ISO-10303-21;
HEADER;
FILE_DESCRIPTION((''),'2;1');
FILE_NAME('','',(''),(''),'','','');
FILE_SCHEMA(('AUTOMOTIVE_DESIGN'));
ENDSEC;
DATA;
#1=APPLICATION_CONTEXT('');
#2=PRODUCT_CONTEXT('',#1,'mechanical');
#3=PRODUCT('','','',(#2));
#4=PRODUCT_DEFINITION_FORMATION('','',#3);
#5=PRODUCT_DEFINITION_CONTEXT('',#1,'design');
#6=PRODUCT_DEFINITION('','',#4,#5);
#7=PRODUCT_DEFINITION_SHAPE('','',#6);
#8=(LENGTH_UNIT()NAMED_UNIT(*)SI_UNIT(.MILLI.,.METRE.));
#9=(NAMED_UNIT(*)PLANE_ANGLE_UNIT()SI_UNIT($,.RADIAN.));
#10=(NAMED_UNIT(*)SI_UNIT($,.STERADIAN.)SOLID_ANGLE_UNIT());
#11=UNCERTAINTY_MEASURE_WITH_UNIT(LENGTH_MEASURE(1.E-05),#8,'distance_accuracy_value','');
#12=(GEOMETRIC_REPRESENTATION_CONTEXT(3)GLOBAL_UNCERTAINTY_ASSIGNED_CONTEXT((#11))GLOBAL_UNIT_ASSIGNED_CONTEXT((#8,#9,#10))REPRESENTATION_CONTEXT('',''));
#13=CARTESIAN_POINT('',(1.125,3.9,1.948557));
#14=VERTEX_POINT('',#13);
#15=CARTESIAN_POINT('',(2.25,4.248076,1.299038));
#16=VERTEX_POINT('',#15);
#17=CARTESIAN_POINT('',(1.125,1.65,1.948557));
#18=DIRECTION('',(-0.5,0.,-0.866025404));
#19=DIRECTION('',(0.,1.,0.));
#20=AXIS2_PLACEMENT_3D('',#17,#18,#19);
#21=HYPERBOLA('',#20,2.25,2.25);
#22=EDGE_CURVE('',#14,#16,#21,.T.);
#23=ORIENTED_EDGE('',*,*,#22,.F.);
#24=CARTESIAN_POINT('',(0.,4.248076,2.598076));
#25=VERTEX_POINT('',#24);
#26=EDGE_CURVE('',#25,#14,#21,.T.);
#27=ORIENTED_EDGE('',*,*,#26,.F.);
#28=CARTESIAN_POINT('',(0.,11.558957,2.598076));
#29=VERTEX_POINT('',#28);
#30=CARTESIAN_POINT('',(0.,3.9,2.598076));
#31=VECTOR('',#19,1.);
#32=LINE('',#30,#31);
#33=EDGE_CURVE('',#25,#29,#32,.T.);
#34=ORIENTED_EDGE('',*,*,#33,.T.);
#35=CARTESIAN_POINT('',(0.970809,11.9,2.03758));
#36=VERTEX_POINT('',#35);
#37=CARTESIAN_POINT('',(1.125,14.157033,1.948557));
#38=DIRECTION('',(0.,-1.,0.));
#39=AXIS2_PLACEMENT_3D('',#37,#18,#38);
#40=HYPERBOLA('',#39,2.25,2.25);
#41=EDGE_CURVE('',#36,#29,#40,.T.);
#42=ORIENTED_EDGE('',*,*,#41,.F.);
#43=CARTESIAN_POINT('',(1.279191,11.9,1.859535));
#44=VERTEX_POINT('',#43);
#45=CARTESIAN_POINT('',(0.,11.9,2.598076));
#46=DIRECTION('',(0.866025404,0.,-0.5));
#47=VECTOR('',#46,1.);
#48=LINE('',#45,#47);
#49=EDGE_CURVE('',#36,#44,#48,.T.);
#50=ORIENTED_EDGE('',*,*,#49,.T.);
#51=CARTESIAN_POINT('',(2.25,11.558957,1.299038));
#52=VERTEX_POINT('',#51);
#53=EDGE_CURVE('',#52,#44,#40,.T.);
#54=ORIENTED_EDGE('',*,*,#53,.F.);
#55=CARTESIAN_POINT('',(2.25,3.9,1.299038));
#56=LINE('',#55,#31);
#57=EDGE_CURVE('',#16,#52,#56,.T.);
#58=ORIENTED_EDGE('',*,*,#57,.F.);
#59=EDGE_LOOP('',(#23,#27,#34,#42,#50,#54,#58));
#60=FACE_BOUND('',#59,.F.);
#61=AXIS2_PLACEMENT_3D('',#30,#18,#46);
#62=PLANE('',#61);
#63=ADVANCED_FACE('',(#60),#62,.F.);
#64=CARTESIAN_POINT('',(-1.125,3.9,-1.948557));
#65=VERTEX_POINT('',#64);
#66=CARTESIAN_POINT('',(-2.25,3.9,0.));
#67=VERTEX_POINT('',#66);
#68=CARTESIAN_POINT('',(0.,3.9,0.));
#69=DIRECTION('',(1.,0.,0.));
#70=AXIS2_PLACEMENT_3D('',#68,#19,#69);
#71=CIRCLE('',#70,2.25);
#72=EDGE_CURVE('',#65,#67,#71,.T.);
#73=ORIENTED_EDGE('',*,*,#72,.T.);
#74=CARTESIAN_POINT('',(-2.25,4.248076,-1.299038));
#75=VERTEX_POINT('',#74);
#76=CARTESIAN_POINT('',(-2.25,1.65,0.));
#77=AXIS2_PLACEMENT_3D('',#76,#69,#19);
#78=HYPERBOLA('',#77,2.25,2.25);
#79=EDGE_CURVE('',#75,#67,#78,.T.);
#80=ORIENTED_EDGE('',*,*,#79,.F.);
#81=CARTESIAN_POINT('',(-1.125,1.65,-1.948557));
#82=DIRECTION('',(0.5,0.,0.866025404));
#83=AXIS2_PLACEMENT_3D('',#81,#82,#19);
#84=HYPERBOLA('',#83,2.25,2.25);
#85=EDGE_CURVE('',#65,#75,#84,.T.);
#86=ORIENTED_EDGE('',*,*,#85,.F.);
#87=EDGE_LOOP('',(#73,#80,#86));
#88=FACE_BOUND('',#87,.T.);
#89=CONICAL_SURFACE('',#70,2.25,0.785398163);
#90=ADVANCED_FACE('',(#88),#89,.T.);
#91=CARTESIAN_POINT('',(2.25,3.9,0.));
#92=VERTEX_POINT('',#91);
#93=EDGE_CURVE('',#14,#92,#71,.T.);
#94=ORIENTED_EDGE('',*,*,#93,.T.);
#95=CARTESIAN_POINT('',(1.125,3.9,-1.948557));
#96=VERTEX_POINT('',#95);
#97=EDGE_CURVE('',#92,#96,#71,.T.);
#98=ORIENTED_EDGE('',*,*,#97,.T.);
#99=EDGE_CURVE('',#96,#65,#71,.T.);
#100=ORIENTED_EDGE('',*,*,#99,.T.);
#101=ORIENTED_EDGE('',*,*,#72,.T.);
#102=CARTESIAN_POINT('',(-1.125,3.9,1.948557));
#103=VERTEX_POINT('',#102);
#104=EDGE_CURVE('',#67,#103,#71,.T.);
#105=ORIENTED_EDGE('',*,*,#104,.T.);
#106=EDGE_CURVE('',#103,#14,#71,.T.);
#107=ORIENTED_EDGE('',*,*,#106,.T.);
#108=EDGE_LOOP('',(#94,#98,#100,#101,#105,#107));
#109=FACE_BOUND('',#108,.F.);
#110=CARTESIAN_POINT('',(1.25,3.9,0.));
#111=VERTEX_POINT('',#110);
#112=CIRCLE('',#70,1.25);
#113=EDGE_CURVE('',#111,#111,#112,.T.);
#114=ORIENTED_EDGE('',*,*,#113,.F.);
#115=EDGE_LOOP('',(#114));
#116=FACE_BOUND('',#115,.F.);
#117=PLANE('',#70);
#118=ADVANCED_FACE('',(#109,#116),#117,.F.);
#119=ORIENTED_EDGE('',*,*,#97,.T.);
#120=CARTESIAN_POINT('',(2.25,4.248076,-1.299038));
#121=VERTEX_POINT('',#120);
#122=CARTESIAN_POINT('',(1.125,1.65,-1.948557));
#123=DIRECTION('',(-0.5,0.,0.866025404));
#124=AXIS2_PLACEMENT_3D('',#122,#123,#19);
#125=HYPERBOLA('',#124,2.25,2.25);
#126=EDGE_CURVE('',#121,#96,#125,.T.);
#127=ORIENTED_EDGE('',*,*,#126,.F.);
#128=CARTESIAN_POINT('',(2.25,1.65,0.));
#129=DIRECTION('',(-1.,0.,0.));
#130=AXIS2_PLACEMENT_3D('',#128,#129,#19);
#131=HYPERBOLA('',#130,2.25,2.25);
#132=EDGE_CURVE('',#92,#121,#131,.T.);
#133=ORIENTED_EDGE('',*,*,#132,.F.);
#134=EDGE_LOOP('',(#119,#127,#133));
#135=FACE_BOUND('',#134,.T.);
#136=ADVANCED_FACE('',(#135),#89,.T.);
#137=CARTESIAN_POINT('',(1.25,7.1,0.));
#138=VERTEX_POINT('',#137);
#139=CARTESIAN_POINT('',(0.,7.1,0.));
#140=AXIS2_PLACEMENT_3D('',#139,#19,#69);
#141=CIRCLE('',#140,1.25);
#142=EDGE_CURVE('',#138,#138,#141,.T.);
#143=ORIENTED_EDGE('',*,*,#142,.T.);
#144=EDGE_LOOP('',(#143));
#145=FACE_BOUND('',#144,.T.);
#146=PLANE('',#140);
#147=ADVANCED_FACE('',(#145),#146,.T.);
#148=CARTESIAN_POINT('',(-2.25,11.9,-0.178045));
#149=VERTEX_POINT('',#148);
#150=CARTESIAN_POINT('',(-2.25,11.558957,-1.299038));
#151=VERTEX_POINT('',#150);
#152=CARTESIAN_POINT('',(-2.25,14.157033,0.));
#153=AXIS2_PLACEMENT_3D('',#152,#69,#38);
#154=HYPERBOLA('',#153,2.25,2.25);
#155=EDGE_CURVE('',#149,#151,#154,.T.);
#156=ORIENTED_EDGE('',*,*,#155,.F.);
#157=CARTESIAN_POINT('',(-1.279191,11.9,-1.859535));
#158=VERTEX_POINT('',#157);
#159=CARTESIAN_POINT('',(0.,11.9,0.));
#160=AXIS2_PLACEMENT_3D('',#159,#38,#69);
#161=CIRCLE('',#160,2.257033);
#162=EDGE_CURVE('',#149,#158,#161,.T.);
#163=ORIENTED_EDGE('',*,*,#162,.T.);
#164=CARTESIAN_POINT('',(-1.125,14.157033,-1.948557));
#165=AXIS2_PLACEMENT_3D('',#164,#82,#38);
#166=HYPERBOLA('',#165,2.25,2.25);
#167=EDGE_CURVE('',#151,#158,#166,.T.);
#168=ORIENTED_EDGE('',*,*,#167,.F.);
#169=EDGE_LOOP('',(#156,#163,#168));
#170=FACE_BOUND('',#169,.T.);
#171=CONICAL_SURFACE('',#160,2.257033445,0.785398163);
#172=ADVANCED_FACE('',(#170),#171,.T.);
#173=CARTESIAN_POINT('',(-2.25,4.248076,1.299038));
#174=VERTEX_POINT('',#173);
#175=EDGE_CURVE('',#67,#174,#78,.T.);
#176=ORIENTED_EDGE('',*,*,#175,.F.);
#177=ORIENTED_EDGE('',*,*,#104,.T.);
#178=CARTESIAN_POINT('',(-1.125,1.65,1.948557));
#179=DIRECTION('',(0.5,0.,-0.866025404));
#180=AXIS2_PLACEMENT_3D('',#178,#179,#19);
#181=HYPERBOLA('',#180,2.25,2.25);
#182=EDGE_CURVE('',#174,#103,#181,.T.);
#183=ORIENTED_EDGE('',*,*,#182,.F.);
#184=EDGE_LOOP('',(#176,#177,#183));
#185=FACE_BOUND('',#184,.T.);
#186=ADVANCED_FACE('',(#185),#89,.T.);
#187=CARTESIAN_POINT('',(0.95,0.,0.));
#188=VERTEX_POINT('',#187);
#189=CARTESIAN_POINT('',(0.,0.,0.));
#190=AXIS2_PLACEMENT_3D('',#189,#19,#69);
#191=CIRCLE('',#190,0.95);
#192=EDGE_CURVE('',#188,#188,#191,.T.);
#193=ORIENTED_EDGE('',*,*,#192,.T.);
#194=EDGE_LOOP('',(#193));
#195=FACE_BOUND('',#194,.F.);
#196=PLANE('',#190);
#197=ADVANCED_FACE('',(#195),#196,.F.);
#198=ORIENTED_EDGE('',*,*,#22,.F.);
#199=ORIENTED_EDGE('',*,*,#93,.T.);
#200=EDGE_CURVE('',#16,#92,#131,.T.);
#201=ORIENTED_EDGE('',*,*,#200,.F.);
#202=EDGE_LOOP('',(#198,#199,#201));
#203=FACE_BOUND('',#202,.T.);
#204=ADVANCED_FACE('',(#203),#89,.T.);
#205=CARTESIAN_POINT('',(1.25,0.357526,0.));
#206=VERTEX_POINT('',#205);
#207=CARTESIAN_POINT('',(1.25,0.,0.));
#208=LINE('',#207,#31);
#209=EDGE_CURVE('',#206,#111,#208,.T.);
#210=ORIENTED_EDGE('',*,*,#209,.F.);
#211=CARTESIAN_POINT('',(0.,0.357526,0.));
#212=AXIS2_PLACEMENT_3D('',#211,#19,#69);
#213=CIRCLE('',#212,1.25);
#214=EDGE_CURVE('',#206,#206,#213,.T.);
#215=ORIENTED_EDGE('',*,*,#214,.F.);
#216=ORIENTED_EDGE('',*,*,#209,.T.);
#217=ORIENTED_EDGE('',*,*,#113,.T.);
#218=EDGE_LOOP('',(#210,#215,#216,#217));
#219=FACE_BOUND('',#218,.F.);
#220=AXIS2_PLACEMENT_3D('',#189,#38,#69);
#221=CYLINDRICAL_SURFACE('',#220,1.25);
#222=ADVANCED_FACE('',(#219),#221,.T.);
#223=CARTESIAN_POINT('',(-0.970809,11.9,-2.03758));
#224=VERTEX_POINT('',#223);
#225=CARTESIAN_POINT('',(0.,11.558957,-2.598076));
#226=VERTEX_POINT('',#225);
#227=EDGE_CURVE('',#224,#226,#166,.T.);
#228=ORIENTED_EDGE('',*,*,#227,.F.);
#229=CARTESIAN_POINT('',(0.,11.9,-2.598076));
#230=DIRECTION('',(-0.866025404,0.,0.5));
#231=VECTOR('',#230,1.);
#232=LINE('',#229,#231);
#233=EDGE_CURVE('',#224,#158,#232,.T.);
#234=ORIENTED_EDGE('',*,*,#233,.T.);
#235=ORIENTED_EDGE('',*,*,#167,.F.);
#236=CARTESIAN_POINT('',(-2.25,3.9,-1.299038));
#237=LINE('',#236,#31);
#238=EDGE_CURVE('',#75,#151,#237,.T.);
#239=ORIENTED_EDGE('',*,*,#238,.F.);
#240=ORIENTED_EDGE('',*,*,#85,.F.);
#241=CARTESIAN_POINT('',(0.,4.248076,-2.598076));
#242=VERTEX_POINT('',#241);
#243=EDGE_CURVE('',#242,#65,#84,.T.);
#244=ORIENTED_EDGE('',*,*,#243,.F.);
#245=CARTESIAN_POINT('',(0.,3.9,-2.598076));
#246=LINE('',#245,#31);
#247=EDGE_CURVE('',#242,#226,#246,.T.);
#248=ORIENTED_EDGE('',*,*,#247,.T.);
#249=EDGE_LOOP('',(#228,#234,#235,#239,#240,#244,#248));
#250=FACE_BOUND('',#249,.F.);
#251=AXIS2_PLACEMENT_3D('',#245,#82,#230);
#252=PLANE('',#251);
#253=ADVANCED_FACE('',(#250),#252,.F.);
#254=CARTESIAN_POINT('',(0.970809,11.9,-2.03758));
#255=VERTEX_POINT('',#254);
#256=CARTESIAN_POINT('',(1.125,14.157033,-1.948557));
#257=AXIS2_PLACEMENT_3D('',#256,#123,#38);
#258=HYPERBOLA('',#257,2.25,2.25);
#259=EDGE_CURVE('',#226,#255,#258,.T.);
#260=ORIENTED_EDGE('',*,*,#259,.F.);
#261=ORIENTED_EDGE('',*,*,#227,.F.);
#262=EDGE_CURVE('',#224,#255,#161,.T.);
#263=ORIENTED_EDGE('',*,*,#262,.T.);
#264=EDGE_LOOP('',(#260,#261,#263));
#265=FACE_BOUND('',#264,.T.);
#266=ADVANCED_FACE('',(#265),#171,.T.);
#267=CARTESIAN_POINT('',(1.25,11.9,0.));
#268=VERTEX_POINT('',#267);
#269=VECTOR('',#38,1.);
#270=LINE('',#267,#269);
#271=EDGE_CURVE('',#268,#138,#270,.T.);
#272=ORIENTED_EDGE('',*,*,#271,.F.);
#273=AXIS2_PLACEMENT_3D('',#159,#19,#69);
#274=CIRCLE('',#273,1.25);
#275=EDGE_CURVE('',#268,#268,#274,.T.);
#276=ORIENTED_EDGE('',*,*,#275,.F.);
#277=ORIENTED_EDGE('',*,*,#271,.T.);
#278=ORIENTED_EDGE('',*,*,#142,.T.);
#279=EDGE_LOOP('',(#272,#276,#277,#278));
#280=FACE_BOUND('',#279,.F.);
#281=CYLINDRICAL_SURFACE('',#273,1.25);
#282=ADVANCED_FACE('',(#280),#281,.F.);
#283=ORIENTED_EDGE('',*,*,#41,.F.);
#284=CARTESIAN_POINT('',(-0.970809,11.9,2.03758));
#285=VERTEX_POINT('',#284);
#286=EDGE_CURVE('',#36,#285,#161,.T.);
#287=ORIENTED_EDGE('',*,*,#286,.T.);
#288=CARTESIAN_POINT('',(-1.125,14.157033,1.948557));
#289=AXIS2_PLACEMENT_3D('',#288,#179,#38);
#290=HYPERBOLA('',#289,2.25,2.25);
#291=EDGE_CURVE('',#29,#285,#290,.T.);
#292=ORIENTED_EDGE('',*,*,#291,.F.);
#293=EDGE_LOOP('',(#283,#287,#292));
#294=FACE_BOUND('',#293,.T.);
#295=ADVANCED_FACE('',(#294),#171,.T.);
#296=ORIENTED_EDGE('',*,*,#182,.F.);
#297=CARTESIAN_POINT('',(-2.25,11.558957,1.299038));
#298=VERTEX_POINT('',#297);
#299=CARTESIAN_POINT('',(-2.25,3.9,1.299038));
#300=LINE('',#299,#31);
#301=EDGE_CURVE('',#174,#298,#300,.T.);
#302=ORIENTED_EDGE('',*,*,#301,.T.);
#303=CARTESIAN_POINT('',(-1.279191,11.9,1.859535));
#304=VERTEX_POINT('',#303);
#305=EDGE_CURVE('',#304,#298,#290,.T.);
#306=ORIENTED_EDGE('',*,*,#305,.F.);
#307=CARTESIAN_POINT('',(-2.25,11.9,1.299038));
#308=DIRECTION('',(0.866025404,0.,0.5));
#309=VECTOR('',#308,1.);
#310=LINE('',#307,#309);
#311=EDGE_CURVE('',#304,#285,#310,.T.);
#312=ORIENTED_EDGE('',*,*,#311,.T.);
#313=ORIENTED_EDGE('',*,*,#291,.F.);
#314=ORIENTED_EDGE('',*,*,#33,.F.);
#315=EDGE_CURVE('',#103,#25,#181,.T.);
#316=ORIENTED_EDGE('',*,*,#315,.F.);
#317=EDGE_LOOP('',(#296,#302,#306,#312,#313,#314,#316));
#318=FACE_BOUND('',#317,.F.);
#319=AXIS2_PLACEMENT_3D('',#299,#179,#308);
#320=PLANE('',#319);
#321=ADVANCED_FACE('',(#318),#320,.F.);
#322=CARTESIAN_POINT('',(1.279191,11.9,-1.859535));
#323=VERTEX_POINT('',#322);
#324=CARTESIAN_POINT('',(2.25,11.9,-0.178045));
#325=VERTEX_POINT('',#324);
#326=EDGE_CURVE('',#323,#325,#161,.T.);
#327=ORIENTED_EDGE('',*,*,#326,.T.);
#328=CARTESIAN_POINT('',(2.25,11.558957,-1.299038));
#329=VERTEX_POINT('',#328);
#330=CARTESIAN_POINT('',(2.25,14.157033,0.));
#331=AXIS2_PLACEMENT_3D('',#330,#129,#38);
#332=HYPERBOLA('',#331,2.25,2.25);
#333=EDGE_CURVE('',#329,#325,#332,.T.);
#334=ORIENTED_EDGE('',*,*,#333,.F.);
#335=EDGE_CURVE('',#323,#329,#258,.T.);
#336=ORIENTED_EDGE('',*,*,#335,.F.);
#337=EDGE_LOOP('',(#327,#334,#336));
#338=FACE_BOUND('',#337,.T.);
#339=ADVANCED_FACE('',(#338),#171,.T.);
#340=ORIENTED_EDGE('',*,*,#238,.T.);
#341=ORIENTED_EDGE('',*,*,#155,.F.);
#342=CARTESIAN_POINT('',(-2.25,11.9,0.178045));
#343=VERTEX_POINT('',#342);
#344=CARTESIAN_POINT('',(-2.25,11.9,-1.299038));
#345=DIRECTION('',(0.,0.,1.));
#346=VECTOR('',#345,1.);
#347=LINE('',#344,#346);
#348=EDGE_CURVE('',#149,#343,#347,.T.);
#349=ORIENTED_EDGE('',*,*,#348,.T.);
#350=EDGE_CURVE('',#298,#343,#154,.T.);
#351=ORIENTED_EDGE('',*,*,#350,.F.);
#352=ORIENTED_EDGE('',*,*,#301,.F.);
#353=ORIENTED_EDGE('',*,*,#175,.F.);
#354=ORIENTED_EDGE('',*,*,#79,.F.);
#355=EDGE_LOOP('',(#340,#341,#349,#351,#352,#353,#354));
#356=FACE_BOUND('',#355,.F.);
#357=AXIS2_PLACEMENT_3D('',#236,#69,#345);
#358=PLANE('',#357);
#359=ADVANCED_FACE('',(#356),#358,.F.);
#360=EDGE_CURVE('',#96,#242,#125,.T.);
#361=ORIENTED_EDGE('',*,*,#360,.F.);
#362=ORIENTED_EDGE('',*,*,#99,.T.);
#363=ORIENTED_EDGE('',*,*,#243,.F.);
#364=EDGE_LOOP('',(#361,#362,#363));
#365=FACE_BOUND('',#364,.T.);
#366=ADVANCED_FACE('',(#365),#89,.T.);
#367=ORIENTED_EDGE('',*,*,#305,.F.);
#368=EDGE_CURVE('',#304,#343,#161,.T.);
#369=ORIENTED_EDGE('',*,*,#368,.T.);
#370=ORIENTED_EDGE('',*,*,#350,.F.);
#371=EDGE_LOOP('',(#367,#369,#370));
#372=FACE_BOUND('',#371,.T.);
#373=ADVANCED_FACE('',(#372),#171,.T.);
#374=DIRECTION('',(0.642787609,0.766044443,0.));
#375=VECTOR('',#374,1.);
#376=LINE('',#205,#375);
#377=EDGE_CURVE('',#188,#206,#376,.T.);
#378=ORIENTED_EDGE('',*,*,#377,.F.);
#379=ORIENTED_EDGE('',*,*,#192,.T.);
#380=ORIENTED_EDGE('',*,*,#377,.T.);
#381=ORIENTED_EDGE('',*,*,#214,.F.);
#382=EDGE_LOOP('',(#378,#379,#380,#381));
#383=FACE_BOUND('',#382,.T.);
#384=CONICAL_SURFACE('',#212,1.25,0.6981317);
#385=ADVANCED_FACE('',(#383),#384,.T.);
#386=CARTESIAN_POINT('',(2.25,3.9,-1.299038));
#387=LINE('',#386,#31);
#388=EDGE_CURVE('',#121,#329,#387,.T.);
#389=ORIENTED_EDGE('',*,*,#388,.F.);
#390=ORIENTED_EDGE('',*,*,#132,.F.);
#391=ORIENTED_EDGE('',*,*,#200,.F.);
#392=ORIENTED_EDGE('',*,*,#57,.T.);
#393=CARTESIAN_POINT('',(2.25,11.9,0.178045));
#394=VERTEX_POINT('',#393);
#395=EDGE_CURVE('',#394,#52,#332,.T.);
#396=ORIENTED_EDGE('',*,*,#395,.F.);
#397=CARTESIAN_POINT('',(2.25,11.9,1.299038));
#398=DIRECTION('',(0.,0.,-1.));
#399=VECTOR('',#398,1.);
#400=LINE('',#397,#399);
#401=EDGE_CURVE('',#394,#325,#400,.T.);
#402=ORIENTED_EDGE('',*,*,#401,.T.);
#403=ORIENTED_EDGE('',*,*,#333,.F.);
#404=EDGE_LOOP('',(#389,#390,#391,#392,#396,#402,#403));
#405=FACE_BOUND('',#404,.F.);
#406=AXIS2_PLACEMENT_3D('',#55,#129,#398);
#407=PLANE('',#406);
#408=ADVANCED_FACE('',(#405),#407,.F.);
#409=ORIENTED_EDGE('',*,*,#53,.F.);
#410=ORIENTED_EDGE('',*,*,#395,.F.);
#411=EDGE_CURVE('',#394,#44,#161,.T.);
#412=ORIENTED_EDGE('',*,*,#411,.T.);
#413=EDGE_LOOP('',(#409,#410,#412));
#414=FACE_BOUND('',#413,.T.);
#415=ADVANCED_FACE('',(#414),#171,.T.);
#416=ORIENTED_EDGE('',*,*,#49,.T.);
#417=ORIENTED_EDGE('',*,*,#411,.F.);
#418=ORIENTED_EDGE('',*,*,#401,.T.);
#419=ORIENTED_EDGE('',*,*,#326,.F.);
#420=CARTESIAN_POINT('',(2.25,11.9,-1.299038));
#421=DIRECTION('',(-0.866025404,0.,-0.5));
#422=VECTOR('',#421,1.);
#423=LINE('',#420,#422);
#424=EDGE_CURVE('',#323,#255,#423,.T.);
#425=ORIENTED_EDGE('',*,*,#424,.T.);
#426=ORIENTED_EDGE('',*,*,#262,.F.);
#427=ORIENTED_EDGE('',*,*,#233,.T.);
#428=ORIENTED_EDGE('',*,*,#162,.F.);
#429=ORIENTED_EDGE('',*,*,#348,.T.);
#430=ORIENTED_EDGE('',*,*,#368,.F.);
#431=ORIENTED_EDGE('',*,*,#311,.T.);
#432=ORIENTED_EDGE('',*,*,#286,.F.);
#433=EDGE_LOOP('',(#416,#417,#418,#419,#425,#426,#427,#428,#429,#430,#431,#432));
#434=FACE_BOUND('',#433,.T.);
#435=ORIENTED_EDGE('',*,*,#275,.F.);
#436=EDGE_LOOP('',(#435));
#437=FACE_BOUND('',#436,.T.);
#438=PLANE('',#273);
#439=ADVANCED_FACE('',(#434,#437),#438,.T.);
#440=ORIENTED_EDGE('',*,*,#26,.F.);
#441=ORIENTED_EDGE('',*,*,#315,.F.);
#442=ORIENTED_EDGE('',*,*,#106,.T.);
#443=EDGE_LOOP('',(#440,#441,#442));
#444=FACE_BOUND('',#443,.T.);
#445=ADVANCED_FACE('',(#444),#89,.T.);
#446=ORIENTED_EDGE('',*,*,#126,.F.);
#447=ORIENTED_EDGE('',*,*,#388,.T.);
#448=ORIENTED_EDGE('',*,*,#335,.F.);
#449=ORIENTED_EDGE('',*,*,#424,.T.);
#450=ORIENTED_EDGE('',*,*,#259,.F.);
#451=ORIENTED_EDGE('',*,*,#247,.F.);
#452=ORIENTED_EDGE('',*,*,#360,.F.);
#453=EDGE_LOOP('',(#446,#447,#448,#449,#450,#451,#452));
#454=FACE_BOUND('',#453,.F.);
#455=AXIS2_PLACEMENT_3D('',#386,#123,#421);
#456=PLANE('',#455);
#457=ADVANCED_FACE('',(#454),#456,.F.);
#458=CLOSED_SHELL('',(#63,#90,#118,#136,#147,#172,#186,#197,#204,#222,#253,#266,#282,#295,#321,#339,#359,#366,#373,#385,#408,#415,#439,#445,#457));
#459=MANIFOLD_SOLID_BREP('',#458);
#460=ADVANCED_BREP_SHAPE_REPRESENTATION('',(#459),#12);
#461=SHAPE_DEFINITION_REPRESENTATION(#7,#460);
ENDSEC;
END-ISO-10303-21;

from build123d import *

# Parameters (mm, degrees)
SKETCH1_R           = 1.25
BOSS_EXTRUDE1_DEPTH = 3.9
BOSS_EXTRUDE2_DEPTH = 8
SKETCH4_R           = 1.25
CUT_EXTRUDE1_DEPTH  = 4.8
SKETCH5_OUTSIDE_W   = 35.048
SKETCH5_OUTSIDE_H   = 35.744
SKETCH5_OUTSIDE_R   = 2.257033445
CUT_EXTRUDE2_DEPTH  = 12.9
CUT_EXTRUDE2_TAPER  = 45
SKETCH6_OUTSIDE_W   = 27.248
SKETCH6_OUTSIDE_H   = 27.944
SKETCH6_OUTSIDE_R   = 2.25
CUT_EXTRUDE3_DEPTH  = 9
CUT_EXTRUDE3_TAPER  = 45
CHAMFER1_SIZE       = 0.3
CHAMFER1_SIZE2      = 0.357526078


with BuildPart() as part:
    # Sketch1 → Boss-Extrude1 (new body)
    with BuildSketch(Plane(origin=(0, 0, 0), x_dir=(1, 0, 0), z_dir=(0, 1, 0))):
        Circle(SKETCH1_R)
    extrude(amount=BOSS_EXTRUDE1_DEPTH)

    # Sketch3 → Boss-Extrude2 (add)
    with BuildSketch(Plane(origin=(0, 3.9, 0), x_dir=(1, 0, 0), z_dir=(0, 1, 0))):
        Polygon((-2.25, 1.299038106), (-2.25, -1.299038106), (0, -2.598076211), (2.25, -1.299038106), (2.25, 1.299038106), (0, 2.598076211), align=None)
    extrude(amount=BOSS_EXTRUDE2_DEPTH)

    # Sketch4 → Cut-Extrude1 (cut)
    with BuildSketch(Plane(origin=(0, 11.9, 0), x_dir=(1, 0, 0), z_dir=(0, 1, 0))):
        Circle(SKETCH4_R)
    extrude(amount=-CUT_EXTRUDE1_DEPTH, mode=Mode.SUBTRACT)

    # Sketch5 outside → Cut-Extrude2 (cut, through all)
    with BuildSketch(Plane(origin=(0, 11.9, 0), x_dir=(1, 0, 0), z_dir=(0, 1, 0))):
        Rectangle(SKETCH5_OUTSIDE_W, SKETCH5_OUTSIDE_H)
        Circle(SKETCH5_OUTSIDE_R, mode=Mode.SUBTRACT)
    extrude(amount=-CUT_EXTRUDE2_DEPTH, taper=CUT_EXTRUDE2_TAPER, mode=Mode.SUBTRACT)

    # Sketch6 outside → Cut-Extrude3 (cut, through all)
    with BuildSketch(Plane.XZ.offset(-3.9)):
        Rectangle(SKETCH6_OUTSIDE_W, SKETCH6_OUTSIDE_H)
        Circle(SKETCH6_OUTSIDE_R, mode=Mode.SUBTRACT)
    extrude(amount=-CUT_EXTRUDE3_DEPTH, taper=CUT_EXTRUDE3_TAPER, mode=Mode.SUBTRACT)

    # Chamfer1
    chamfer1_edges = [part.edges().sort_by_distance(p)[0] for p in [
        (-1.25, 0, 0),
    ]]
    chamfer1_side = [part.faces().sort_by_distance(p)[0] for p in [
        (0, 0, 0),
    ]]
    chamfer(chamfer1_edges, length=CHAMFER1_SIZE, length2=CHAMFER1_SIZE2, reference=chamfer1_side[0])


solid = part.part
